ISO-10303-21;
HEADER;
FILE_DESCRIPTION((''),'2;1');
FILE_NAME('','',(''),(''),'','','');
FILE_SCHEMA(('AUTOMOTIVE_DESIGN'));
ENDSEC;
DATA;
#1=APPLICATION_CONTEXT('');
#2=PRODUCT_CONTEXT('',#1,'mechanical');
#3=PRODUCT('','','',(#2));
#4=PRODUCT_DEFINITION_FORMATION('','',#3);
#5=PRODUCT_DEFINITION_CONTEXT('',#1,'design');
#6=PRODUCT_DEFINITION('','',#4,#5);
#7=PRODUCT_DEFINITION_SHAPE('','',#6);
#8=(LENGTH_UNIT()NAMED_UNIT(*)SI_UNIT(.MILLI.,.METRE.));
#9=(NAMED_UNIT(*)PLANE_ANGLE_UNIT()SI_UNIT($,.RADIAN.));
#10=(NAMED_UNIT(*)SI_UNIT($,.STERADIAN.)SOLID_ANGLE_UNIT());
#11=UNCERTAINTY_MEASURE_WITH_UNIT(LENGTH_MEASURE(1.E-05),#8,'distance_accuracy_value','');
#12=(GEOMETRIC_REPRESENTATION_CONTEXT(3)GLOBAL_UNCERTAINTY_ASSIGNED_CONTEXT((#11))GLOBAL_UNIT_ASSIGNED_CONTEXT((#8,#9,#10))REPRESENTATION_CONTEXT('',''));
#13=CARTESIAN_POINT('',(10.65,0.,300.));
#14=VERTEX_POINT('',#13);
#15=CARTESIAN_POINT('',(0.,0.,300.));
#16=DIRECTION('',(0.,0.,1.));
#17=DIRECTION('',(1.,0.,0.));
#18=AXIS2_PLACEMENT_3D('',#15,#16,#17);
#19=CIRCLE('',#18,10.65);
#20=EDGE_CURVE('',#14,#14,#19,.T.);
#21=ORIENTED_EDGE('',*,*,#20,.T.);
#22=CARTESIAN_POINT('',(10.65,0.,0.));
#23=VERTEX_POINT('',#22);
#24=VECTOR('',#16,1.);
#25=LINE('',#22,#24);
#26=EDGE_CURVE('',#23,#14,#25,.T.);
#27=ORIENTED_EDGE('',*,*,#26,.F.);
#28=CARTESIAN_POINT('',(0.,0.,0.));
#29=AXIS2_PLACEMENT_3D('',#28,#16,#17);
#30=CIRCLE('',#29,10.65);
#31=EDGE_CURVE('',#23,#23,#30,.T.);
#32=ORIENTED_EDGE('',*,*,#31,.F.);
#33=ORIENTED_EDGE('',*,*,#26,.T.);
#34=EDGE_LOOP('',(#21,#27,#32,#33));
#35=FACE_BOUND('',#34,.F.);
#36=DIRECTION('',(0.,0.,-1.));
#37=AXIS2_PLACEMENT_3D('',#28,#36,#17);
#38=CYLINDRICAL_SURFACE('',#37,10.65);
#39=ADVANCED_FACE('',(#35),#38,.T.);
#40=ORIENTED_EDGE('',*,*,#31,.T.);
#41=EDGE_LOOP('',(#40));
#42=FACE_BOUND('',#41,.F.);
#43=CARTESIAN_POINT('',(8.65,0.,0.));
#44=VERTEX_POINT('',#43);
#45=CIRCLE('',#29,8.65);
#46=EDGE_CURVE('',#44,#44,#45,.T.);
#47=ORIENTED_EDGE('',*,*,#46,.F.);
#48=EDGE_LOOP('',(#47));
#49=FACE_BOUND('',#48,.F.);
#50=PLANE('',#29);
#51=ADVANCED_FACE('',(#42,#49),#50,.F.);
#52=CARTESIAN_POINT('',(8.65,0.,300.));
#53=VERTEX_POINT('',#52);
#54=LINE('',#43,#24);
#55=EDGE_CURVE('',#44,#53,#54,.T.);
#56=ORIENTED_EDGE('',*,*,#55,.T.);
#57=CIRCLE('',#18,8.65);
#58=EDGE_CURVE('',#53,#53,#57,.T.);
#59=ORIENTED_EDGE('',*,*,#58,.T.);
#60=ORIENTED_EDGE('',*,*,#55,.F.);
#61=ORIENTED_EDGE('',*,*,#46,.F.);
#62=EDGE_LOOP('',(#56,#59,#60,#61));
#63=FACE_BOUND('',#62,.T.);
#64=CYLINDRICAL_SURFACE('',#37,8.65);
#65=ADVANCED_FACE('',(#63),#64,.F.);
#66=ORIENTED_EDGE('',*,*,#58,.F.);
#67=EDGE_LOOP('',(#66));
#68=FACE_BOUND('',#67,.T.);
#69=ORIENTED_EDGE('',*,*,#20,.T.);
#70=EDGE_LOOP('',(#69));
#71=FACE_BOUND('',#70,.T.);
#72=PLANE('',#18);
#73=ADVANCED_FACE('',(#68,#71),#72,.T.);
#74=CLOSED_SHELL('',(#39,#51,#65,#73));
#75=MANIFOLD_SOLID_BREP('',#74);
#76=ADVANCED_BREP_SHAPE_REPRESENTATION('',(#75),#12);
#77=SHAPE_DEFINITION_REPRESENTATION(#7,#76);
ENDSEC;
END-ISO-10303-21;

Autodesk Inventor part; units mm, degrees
ref_plane "YZ Plane" through (0, 0, 0) normal (1, 0, 0) x (0, 1, 0)
ref_plane "Start Plane" through (0, 0, 0) normal (0, 0, 1) x (1, 0, 0)
ref_plane "End Plane" through (0, 0, 300) normal (0, 0, 1) x (1, 0, 0)
sketch "Sketch" plane through (0, 0, 0) normal (0, 0, 1) x (1, 0, 0)
  circle A0 centre (0, 0) radius 8.65
  circle A1 centre (0, 0) radius 10.65
  dimension "d0" = 21.3
  dimension "d1" = 2
extrude "Body" add sketch "Sketch" along normal up to surface (300 mm away) from surface at 0
sketch "Sketch3" plane through (0, 0, 0) normal (0, 0, 1) x (1, 0, 0)
  line L0 (0, 0) -> (10, 0)
ref_plane "Work Plane3" through (0, 0, 0) normal (0, -1, 0) x (1, 0, 0)
sketch "Sketch4" plane through (0, 0, 0) normal (0, -1, 0) x (1, 0, 0)
  line L0 (-2, 0) -> (12, 0)
  line L1 (-2, 300) -> (12, 300)
  dimension "G_OFFSET_START" = 0
  dimension "d7" = 300
equation "\"d0\" = G_H"
equation "\"d1\" = G_T"
equation "\"d2\" = G_L"
equation "\"G_OFFSET_START\" = 0"
equation "\"G_H\" = 21.3"
equation "\"G_T\" = 2"
equation "\"G_L\" = d7"
equation "\"G_OFFSET_END\" = 0"
properties part number "ISO 10799-2 - 21.3x2.0 - 300" material "Steel, Mild"
